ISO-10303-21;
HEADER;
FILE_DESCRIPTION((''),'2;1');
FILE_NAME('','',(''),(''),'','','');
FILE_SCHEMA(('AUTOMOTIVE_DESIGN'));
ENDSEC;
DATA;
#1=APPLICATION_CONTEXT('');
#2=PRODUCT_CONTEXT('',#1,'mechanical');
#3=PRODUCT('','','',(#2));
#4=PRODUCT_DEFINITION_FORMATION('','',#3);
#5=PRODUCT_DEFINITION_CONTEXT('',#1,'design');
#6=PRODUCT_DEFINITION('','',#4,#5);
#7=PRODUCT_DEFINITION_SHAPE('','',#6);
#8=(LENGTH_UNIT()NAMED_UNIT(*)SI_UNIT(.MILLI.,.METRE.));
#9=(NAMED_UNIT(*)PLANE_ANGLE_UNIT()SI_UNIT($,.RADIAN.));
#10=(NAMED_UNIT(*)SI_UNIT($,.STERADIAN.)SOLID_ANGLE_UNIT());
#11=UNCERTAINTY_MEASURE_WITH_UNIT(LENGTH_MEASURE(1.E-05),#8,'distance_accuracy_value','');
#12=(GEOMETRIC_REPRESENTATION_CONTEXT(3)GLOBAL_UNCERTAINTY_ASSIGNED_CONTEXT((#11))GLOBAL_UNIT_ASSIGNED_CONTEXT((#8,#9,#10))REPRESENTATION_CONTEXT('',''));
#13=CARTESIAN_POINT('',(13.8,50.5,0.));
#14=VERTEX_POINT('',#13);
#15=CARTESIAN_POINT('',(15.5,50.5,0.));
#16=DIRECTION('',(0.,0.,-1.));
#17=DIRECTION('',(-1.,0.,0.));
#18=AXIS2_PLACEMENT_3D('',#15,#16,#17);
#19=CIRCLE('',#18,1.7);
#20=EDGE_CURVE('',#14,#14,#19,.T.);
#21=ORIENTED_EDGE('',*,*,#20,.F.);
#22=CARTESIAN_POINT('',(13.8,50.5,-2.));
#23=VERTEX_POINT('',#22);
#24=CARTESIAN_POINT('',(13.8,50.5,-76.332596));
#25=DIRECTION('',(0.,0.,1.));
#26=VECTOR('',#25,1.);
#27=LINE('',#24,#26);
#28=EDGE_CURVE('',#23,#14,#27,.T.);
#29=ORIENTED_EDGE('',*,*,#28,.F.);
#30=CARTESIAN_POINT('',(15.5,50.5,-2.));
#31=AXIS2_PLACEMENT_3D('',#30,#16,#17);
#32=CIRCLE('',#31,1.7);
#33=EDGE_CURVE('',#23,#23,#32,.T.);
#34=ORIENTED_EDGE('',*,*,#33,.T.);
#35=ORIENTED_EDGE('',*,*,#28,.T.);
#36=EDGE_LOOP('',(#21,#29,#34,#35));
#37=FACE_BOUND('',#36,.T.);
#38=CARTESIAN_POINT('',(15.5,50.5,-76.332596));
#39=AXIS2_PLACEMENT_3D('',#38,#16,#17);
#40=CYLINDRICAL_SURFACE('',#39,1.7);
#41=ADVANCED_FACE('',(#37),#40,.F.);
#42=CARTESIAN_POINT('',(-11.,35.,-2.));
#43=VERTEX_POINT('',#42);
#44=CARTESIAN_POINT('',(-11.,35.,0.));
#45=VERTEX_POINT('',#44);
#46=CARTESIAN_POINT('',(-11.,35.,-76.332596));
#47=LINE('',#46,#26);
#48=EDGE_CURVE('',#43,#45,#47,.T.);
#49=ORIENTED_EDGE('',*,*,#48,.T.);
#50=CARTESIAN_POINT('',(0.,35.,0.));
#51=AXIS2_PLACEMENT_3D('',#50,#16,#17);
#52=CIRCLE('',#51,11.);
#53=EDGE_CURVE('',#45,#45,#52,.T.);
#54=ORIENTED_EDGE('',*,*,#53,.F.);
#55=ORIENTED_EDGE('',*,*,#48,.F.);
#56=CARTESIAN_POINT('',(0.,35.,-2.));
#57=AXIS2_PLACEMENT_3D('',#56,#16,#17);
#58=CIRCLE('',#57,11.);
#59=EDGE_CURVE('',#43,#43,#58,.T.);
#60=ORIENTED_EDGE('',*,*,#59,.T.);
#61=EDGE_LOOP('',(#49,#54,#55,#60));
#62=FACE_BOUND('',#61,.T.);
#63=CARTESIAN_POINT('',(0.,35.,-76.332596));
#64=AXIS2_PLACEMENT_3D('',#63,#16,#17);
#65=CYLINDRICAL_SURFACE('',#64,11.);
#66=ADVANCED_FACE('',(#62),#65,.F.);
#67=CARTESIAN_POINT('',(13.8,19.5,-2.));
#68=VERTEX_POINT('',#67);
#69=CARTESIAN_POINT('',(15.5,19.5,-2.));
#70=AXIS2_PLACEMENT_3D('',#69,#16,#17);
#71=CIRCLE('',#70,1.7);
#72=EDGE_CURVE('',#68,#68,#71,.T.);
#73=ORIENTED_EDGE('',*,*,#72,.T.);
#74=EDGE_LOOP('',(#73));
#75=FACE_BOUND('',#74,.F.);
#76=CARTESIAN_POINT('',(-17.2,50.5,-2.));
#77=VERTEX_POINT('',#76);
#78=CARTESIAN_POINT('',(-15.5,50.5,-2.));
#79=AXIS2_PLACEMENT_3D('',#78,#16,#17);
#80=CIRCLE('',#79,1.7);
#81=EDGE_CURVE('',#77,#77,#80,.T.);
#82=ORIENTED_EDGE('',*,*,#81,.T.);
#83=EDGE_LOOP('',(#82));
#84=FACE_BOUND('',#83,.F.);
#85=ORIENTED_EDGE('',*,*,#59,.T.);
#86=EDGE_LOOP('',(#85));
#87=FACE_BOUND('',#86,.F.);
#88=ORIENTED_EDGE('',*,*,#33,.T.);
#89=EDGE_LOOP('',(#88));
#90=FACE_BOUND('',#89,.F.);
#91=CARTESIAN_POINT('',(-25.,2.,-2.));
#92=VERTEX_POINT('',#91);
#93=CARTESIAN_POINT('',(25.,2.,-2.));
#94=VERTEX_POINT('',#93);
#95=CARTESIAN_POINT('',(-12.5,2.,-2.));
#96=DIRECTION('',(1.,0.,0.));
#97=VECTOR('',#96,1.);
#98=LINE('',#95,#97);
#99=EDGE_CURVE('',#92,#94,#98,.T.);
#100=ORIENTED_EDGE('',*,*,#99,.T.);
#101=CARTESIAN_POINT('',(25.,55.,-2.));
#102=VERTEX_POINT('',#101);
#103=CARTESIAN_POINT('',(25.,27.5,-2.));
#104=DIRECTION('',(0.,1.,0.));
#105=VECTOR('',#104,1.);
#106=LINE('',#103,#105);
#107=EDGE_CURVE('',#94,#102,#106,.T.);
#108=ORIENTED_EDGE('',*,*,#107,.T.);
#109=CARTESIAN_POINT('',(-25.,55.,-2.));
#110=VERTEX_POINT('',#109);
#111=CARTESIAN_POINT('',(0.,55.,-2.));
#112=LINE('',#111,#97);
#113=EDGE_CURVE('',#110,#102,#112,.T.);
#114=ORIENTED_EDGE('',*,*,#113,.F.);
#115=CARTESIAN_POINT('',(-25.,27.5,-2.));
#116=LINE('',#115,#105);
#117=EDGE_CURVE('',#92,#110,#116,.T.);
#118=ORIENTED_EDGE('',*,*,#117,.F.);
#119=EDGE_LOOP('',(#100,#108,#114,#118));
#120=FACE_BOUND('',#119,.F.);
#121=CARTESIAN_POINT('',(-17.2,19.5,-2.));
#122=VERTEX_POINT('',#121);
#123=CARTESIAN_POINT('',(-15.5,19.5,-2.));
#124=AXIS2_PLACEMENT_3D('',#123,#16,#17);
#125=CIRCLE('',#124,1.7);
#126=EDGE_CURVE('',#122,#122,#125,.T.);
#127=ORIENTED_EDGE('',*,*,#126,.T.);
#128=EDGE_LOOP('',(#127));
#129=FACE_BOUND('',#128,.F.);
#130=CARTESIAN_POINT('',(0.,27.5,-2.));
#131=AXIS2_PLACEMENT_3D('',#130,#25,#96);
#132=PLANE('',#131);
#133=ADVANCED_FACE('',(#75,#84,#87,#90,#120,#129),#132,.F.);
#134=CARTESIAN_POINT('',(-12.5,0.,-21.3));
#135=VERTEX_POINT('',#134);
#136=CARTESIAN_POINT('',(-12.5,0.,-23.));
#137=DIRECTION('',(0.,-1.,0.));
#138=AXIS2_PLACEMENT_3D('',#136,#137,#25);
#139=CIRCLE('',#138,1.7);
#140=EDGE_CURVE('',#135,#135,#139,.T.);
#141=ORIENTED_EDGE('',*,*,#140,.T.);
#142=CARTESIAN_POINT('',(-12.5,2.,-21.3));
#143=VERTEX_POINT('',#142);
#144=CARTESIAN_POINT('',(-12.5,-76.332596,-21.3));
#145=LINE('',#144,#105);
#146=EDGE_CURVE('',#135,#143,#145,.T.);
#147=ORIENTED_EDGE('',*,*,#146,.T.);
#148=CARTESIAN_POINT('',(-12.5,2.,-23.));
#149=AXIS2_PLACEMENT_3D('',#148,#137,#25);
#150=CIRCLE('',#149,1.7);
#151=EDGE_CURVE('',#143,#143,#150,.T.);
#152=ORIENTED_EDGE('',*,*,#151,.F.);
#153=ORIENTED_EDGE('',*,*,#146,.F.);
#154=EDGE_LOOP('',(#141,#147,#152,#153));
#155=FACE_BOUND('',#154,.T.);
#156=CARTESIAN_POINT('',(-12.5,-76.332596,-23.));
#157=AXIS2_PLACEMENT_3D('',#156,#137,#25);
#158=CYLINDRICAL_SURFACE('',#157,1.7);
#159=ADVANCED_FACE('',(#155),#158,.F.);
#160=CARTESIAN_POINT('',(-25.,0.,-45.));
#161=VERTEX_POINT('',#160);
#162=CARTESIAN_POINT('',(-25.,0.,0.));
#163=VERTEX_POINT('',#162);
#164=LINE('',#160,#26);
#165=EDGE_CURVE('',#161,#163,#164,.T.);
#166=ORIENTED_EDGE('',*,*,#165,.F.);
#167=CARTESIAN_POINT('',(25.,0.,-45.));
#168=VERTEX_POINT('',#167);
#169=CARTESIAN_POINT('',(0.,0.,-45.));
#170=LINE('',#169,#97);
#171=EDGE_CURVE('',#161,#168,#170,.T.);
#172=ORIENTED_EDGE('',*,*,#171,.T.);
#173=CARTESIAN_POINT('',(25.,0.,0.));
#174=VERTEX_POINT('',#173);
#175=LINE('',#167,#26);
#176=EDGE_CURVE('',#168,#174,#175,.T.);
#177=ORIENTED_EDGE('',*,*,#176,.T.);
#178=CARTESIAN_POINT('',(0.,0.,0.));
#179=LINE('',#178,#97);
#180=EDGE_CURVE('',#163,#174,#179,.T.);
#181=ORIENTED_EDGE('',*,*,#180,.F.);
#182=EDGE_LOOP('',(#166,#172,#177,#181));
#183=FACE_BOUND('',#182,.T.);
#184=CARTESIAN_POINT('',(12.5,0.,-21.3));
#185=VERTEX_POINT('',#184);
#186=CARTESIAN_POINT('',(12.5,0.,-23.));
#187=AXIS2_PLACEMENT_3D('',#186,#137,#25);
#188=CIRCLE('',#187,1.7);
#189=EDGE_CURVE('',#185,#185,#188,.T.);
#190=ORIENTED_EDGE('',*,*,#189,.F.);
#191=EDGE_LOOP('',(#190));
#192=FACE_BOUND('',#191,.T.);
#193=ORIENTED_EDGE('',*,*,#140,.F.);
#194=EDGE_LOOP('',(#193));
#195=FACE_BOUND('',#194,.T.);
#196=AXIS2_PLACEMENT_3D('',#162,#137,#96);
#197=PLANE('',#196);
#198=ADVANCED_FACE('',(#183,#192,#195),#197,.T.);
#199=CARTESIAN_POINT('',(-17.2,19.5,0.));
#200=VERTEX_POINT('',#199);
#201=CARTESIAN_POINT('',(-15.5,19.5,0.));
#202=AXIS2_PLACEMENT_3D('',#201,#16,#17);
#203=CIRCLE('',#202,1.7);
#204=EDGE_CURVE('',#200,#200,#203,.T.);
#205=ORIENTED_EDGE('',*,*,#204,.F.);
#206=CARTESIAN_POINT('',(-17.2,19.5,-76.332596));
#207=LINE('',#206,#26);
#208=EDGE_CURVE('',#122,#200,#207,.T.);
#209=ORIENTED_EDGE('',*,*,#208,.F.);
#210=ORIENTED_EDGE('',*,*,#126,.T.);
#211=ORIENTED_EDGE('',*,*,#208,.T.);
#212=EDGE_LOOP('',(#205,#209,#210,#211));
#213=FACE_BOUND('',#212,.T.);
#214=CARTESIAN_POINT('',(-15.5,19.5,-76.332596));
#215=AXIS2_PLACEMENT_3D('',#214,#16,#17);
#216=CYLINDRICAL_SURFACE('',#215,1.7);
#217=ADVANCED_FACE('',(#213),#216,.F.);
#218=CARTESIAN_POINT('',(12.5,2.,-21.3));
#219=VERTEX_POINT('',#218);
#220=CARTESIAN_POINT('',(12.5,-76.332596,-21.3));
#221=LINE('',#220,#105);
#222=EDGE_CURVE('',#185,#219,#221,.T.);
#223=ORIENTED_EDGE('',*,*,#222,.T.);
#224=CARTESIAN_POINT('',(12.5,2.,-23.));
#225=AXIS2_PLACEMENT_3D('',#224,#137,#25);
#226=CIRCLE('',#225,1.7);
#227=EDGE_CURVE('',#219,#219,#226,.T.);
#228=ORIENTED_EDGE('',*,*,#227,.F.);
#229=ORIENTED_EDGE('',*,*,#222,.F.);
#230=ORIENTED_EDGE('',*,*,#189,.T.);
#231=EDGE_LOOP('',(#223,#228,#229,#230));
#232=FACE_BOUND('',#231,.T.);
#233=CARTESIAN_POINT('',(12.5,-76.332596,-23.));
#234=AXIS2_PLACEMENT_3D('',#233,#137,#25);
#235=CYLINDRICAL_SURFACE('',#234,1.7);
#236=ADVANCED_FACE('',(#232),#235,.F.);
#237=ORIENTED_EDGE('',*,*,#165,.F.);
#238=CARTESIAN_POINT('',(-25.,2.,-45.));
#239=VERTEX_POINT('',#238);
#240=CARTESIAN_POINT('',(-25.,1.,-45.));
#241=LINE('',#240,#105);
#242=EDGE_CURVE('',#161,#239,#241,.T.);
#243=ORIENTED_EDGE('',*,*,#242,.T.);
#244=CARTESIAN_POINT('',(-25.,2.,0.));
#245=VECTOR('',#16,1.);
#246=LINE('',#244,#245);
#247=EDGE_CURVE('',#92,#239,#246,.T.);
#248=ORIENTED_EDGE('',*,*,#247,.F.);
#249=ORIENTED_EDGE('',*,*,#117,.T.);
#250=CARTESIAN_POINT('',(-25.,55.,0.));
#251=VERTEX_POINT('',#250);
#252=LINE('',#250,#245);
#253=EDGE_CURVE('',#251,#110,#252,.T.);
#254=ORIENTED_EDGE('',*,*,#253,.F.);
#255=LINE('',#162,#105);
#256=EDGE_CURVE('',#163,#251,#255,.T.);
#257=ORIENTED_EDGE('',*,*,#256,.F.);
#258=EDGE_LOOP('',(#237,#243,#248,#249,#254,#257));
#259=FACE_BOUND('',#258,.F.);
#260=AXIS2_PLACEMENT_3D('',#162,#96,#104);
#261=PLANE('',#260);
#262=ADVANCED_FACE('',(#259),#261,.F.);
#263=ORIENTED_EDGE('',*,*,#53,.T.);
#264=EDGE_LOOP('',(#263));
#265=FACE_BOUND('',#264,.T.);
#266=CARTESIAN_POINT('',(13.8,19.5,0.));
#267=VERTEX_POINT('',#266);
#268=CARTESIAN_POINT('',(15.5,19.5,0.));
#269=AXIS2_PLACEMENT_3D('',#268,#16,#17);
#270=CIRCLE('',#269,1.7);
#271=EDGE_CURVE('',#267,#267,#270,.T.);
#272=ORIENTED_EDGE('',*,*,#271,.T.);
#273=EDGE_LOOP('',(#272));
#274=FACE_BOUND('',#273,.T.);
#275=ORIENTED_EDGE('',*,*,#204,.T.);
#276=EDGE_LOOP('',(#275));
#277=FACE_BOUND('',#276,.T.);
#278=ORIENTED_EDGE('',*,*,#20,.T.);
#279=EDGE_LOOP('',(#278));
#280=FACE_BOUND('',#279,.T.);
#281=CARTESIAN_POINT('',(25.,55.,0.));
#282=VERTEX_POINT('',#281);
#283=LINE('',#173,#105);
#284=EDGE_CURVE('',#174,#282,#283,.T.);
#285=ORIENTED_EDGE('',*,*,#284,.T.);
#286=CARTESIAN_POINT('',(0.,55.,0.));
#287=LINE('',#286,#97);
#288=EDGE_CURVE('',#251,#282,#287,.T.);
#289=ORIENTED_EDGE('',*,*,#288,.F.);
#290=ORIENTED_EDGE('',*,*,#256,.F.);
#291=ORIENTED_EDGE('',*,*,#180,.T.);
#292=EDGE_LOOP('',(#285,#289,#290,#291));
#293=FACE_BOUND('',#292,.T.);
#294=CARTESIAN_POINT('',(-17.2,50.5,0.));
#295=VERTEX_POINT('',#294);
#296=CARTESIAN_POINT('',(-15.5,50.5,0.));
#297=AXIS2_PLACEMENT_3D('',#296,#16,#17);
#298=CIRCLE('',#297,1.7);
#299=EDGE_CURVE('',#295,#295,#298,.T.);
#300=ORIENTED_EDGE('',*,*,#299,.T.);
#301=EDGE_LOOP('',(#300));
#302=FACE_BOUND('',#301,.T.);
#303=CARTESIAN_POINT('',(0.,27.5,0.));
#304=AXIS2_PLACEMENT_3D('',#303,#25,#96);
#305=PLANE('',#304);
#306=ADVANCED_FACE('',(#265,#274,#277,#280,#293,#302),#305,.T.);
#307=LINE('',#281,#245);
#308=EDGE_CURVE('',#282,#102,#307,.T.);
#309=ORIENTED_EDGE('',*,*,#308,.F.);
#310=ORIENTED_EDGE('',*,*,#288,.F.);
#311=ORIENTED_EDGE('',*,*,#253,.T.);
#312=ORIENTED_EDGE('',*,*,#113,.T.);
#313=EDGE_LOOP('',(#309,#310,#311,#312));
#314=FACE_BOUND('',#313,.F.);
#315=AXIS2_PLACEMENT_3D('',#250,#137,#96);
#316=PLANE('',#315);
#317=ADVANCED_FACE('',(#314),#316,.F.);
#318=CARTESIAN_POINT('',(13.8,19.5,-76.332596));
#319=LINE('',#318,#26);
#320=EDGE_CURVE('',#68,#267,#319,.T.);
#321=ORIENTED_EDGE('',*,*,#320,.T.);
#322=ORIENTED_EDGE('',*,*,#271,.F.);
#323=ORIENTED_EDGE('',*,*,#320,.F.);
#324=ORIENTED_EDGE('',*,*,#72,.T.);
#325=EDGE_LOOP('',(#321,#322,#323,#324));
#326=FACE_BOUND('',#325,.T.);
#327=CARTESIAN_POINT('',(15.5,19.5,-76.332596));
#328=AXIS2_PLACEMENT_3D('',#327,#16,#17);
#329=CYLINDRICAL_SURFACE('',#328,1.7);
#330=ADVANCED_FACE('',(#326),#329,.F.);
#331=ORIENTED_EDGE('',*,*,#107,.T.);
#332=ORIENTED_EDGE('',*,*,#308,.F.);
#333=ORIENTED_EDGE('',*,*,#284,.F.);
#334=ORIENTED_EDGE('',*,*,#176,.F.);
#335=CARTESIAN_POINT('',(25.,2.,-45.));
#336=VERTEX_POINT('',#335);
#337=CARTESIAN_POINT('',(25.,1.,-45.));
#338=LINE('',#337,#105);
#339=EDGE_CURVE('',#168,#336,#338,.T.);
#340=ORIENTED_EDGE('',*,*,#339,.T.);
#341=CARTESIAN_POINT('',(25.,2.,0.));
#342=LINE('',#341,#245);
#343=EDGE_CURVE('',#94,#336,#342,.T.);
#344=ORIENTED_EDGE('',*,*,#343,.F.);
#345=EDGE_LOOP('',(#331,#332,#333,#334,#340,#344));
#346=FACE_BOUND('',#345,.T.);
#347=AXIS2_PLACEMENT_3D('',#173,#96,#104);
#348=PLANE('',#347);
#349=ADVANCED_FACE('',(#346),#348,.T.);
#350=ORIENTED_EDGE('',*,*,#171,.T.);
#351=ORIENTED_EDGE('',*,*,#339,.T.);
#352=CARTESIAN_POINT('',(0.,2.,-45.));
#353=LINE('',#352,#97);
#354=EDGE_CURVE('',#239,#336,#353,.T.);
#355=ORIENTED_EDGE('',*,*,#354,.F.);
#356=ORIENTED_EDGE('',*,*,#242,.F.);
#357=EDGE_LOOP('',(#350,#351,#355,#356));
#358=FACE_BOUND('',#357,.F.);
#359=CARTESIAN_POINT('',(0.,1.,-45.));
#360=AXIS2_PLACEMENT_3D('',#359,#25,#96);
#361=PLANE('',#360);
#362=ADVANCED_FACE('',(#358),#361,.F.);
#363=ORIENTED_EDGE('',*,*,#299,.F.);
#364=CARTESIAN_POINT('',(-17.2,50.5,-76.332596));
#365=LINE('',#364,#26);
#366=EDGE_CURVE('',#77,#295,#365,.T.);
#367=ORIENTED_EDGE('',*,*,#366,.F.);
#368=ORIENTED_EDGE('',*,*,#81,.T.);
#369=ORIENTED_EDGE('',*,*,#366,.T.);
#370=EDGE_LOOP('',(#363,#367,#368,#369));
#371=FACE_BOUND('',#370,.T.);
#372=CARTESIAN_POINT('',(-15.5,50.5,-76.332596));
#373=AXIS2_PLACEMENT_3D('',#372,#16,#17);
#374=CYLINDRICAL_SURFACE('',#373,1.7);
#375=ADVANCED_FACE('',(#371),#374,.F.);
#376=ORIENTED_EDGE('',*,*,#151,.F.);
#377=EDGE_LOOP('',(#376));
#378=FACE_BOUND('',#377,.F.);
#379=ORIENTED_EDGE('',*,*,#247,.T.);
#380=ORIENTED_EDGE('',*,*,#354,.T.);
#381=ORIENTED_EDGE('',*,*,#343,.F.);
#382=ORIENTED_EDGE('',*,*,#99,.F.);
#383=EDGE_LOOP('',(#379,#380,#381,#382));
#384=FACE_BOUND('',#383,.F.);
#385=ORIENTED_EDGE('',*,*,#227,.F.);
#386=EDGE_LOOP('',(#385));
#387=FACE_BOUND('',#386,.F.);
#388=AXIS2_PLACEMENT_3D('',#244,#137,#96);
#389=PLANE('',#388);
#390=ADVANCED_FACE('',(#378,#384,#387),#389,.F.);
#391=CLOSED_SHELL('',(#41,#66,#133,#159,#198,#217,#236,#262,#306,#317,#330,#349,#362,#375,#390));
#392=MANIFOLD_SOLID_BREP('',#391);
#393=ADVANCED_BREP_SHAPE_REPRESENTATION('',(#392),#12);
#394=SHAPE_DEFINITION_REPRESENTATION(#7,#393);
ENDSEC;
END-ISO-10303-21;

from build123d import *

# Parameters (mm, degrees)
SKETCH1_W                 = 50
SKETCH1_H                 = 55
BOSS_EXTRUDE1_DEPTH       = 2
SKETCH2_W                 = 50
SKETCH2_H                 = 2
BOSS_EXTRUDE2_DEPTH       = 45
CUT_EXTRUDE1_DEPTH        = 76.332595867
CUT_EXTRUDE1_DEPTH_BACK   = 76.332595867
SKETCH3_R                 = 1.7
LO_TAM_D22_DEPTH          = 76.332595867
LO_TAM_D22_DEPTH_BACK     = 76.332595867
SKETCH4_R                 = 11
HAI_LO_CHAN_M3_DEPTH      = 76.332595867
HAI_LO_CHAN_M3_DEPTH_BACK = 76.332595867
SKETCH5_R                 = 1.7


with BuildPart() as part:
    # Sketch1 → Boss-Extrude1 (new body)
    with BuildSketch(Plane.XY):
        with Locations((0, 27.5)):
            Rectangle(SKETCH1_W, SKETCH1_H)
    extrude(amount=-BOSS_EXTRUDE1_DEPTH)

    # Sketch2 → Boss-Extrude2 (add)
    with BuildSketch(Plane.XY):
        with Locations((0, 1)):
            Rectangle(SKETCH2_W, SKETCH2_H)
    extrude(amount=-BOSS_EXTRUDE2_DEPTH)

    # Sketch3 → Cut-Extrude1 (cut, two sides: drawn at the far end of the back side and taken through both)
    with BuildSketch(Plane.XY.offset(-CUT_EXTRUDE1_DEPTH_BACK)):
        with Locations(Location((-15.5, 19.5, 0), (0, 0, 180))):
            Circle(SKETCH3_R)
        with Locations(Location((-15.5, 50.5, 0), (0, 0, 180))):
            Circle(SKETCH3_R)
        with Locations(Location((15.5, 19.5, 0), (0, 0, 180))):
            Circle(SKETCH3_R)
        with Locations(Location((15.5, 50.5, 0), (0, 0, 180))):
            Circle(SKETCH3_R)
    extrude(amount=CUT_EXTRUDE1_DEPTH + CUT_EXTRUDE1_DEPTH_BACK, mode=Mode.SUBTRACT)

    # Sketch4 → Lo_tam_D22 (cut, two sides: drawn at the far end of the back side and taken through both)
    with BuildSketch(Plane.XY.offset(-LO_TAM_D22_DEPTH_BACK)):
        with Locations(Location((0, 35, 0), (0, 0, 180))):
            Circle(SKETCH4_R)
    extrude(amount=LO_TAM_D22_DEPTH + LO_TAM_D22_DEPTH_BACK, mode=Mode.SUBTRACT)

    # Sketch5 → Hai_lo_chan_M3 (cut, two sides: drawn at the far end of the back side and taken through both)
    with BuildSketch(Plane(origin=(0, 0, 0), x_dir=(1, 0, 0), z_dir=(0, 1, 0)).offset(-HAI_LO_CHAN_M3_DEPTH_BACK)):
        with Locations(Location((-12.5, 23, 0), (0, 0, 270))):
            Circle(SKETCH5_R)
        with Locations(Location((12.5, 23, 0), (0, 0, 270))):
            Circle(SKETCH5_R)
    extrude(amount=HAI_LO_CHAN_M3_DEPTH + HAI_LO_CHAN_M3_DEPTH_BACK, mode=Mode.SUBTRACT)


solid = part.part
